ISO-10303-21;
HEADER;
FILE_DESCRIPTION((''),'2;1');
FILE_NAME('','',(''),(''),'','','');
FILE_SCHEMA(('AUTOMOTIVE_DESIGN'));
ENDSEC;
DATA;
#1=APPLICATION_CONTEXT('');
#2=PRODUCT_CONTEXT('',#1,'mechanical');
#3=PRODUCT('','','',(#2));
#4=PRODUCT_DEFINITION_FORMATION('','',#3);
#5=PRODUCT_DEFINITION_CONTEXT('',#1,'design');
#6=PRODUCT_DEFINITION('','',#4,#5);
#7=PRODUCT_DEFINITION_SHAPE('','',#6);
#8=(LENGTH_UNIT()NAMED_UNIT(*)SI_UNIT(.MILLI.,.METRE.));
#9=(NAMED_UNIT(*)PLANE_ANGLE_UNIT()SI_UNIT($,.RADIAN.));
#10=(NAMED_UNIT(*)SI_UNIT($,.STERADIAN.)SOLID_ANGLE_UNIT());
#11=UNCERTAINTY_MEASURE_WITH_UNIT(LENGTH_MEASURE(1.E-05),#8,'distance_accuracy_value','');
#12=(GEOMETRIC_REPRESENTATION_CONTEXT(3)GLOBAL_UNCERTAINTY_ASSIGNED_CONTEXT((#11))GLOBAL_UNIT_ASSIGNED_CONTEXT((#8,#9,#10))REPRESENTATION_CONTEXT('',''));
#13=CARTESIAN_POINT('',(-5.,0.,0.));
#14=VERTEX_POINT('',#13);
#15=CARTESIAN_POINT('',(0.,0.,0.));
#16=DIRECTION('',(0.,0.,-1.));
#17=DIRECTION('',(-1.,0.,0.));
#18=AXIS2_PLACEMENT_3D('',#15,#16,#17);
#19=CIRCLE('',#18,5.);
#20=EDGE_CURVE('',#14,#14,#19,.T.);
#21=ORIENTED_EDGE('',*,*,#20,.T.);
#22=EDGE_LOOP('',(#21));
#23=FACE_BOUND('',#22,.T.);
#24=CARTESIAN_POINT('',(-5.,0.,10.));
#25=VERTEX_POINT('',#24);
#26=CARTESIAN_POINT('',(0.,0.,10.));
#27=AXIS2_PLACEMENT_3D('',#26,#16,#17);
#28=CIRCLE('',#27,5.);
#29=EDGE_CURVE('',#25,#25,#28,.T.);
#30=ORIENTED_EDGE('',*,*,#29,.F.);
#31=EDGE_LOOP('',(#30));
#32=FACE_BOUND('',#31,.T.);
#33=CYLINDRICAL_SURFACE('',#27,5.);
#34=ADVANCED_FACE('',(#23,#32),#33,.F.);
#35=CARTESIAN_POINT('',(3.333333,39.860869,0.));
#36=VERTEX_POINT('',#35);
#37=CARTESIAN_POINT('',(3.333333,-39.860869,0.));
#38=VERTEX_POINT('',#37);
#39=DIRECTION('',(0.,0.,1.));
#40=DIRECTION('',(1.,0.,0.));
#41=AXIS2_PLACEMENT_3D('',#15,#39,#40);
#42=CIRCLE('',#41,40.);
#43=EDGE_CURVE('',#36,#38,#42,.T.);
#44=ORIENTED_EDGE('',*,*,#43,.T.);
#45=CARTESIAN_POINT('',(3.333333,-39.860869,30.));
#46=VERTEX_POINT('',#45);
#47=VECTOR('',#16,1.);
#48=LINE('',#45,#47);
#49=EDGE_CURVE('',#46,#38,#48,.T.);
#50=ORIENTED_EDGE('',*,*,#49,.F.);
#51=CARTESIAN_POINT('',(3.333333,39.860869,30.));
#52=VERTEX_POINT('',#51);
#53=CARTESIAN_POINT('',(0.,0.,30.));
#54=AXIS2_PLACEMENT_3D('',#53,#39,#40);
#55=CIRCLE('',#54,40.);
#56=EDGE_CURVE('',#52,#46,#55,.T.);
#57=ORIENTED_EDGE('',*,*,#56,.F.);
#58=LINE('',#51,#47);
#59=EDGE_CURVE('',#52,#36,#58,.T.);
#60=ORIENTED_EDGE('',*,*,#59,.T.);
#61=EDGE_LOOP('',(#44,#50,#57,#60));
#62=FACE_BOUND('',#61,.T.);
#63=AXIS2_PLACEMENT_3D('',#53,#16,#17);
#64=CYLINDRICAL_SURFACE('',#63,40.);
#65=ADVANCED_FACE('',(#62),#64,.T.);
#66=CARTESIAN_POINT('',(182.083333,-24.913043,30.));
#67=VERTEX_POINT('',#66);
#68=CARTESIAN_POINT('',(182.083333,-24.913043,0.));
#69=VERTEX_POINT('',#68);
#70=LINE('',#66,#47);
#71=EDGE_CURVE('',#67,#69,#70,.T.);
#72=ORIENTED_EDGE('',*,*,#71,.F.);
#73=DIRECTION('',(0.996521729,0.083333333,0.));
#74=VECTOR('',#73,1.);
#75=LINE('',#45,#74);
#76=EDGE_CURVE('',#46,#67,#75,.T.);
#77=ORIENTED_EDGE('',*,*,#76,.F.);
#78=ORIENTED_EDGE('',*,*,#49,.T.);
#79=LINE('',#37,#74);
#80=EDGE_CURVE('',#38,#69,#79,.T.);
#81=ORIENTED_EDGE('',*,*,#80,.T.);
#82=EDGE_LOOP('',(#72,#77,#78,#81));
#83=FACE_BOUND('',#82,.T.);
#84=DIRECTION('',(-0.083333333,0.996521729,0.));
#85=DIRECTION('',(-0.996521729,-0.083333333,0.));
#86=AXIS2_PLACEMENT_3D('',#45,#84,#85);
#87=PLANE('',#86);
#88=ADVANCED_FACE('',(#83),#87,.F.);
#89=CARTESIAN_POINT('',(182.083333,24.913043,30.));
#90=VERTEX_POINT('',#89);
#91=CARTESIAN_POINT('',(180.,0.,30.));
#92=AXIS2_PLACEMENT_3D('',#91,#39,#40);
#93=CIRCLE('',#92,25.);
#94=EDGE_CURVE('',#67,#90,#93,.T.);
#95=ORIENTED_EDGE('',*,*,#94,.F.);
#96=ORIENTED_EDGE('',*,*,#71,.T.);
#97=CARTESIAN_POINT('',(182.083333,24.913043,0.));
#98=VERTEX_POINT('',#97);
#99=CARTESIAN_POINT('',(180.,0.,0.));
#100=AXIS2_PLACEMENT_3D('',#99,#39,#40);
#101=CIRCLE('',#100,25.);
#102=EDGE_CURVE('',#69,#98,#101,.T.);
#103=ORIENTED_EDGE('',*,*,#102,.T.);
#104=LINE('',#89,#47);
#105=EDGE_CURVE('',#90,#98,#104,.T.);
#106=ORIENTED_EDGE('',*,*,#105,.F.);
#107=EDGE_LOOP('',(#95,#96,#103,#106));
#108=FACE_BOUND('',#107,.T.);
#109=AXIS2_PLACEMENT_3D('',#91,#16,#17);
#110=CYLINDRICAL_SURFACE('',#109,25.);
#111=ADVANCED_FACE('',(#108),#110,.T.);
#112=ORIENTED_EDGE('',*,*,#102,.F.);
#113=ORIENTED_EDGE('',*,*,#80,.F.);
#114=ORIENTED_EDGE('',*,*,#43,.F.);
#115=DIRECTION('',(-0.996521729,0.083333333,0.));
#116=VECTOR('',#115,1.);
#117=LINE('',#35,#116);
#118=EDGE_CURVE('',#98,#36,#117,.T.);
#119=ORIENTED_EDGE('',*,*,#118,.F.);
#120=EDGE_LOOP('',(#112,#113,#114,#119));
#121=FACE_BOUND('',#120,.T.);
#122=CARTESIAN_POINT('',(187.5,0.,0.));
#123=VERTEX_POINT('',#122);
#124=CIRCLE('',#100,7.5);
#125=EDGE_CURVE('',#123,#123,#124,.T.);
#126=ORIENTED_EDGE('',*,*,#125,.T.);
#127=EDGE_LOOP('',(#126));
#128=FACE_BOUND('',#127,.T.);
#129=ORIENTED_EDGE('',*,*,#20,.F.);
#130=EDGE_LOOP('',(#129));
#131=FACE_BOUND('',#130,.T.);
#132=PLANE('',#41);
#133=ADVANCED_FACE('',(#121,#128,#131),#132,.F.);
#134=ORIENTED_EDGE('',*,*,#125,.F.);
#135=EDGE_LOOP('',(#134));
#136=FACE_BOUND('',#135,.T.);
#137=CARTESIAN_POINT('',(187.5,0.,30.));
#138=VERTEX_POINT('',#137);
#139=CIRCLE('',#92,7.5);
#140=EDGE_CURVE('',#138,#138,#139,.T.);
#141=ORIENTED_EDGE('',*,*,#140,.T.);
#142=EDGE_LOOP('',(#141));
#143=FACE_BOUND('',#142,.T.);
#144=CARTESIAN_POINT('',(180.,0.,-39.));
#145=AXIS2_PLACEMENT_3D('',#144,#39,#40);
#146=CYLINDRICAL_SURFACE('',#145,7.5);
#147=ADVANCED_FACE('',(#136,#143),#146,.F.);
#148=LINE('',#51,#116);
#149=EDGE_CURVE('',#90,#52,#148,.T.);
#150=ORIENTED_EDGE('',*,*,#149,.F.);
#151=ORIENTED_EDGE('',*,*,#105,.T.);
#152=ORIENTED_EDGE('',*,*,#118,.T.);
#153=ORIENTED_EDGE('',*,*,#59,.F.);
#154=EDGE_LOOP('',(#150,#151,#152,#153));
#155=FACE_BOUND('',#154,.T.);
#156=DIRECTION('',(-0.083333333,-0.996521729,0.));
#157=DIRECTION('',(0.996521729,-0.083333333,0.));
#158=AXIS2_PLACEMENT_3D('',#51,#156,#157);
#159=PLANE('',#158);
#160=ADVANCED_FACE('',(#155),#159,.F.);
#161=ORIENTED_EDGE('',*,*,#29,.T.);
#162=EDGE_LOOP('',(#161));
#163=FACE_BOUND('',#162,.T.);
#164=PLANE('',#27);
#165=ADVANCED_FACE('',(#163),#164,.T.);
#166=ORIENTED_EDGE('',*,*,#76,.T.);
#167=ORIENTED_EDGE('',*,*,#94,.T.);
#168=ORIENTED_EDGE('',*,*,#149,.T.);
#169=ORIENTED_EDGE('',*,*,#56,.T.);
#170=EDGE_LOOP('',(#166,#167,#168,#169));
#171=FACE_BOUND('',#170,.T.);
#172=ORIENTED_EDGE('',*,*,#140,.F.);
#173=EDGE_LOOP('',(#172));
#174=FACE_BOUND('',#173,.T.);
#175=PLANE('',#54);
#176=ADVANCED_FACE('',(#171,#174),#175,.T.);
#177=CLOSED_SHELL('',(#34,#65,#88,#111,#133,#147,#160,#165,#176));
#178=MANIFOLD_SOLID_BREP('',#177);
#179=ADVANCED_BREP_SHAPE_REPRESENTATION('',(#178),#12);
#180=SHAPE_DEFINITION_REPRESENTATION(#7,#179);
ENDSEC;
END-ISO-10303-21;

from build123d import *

# Parameters (mm, degrees)
BOSS_EXTRUDE1_DEPTH = 30
SKETCH2_R           = 5
CUT_EXTRUDE1_DEPTH  = 10
SKETCH3_R           = 7.5
CUT_EXTRUDE2_DEPTH  = 69


with BuildPart() as part:
    # Sketch1 → Boss-Extrude1 (new body)
    with BuildSketch(Plane.XY):
        with BuildLine():
            Line((3.333333333, 39.860869144), (182.083333333, 24.913043215))
            ThreePointArc((182.083333333, 24.913043215), (205, 0), (182.083333333, -24.913043215))
            Line((182.083333333, -24.913043215), (3.333333333, -39.860869144))
            ThreePointArc((3.333333333, -39.860869144), (-40, 0), (3.333333333, 39.860869144))
        make_face()
    extrude(amount=BOSS_EXTRUDE1_DEPTH)

    # Sketch2 → Cut-Extrude1 (cut)
    with BuildSketch(Plane(origin=(0, 0, 0), x_dir=(-1, 0, 0), z_dir=(0, 0, -1))):
        Circle(SKETCH2_R)
    extrude(amount=-CUT_EXTRUDE1_DEPTH, mode=Mode.SUBTRACT)

    # Sketch3 → Cut-Extrude2 (cut)
    with BuildSketch(Plane.XY.offset(30)):
        with Locations((180, 0)):
            Circle(SKETCH3_R)
    extrude(amount=-CUT_EXTRUDE2_DEPTH, mode=Mode.SUBTRACT)


solid = part.part
